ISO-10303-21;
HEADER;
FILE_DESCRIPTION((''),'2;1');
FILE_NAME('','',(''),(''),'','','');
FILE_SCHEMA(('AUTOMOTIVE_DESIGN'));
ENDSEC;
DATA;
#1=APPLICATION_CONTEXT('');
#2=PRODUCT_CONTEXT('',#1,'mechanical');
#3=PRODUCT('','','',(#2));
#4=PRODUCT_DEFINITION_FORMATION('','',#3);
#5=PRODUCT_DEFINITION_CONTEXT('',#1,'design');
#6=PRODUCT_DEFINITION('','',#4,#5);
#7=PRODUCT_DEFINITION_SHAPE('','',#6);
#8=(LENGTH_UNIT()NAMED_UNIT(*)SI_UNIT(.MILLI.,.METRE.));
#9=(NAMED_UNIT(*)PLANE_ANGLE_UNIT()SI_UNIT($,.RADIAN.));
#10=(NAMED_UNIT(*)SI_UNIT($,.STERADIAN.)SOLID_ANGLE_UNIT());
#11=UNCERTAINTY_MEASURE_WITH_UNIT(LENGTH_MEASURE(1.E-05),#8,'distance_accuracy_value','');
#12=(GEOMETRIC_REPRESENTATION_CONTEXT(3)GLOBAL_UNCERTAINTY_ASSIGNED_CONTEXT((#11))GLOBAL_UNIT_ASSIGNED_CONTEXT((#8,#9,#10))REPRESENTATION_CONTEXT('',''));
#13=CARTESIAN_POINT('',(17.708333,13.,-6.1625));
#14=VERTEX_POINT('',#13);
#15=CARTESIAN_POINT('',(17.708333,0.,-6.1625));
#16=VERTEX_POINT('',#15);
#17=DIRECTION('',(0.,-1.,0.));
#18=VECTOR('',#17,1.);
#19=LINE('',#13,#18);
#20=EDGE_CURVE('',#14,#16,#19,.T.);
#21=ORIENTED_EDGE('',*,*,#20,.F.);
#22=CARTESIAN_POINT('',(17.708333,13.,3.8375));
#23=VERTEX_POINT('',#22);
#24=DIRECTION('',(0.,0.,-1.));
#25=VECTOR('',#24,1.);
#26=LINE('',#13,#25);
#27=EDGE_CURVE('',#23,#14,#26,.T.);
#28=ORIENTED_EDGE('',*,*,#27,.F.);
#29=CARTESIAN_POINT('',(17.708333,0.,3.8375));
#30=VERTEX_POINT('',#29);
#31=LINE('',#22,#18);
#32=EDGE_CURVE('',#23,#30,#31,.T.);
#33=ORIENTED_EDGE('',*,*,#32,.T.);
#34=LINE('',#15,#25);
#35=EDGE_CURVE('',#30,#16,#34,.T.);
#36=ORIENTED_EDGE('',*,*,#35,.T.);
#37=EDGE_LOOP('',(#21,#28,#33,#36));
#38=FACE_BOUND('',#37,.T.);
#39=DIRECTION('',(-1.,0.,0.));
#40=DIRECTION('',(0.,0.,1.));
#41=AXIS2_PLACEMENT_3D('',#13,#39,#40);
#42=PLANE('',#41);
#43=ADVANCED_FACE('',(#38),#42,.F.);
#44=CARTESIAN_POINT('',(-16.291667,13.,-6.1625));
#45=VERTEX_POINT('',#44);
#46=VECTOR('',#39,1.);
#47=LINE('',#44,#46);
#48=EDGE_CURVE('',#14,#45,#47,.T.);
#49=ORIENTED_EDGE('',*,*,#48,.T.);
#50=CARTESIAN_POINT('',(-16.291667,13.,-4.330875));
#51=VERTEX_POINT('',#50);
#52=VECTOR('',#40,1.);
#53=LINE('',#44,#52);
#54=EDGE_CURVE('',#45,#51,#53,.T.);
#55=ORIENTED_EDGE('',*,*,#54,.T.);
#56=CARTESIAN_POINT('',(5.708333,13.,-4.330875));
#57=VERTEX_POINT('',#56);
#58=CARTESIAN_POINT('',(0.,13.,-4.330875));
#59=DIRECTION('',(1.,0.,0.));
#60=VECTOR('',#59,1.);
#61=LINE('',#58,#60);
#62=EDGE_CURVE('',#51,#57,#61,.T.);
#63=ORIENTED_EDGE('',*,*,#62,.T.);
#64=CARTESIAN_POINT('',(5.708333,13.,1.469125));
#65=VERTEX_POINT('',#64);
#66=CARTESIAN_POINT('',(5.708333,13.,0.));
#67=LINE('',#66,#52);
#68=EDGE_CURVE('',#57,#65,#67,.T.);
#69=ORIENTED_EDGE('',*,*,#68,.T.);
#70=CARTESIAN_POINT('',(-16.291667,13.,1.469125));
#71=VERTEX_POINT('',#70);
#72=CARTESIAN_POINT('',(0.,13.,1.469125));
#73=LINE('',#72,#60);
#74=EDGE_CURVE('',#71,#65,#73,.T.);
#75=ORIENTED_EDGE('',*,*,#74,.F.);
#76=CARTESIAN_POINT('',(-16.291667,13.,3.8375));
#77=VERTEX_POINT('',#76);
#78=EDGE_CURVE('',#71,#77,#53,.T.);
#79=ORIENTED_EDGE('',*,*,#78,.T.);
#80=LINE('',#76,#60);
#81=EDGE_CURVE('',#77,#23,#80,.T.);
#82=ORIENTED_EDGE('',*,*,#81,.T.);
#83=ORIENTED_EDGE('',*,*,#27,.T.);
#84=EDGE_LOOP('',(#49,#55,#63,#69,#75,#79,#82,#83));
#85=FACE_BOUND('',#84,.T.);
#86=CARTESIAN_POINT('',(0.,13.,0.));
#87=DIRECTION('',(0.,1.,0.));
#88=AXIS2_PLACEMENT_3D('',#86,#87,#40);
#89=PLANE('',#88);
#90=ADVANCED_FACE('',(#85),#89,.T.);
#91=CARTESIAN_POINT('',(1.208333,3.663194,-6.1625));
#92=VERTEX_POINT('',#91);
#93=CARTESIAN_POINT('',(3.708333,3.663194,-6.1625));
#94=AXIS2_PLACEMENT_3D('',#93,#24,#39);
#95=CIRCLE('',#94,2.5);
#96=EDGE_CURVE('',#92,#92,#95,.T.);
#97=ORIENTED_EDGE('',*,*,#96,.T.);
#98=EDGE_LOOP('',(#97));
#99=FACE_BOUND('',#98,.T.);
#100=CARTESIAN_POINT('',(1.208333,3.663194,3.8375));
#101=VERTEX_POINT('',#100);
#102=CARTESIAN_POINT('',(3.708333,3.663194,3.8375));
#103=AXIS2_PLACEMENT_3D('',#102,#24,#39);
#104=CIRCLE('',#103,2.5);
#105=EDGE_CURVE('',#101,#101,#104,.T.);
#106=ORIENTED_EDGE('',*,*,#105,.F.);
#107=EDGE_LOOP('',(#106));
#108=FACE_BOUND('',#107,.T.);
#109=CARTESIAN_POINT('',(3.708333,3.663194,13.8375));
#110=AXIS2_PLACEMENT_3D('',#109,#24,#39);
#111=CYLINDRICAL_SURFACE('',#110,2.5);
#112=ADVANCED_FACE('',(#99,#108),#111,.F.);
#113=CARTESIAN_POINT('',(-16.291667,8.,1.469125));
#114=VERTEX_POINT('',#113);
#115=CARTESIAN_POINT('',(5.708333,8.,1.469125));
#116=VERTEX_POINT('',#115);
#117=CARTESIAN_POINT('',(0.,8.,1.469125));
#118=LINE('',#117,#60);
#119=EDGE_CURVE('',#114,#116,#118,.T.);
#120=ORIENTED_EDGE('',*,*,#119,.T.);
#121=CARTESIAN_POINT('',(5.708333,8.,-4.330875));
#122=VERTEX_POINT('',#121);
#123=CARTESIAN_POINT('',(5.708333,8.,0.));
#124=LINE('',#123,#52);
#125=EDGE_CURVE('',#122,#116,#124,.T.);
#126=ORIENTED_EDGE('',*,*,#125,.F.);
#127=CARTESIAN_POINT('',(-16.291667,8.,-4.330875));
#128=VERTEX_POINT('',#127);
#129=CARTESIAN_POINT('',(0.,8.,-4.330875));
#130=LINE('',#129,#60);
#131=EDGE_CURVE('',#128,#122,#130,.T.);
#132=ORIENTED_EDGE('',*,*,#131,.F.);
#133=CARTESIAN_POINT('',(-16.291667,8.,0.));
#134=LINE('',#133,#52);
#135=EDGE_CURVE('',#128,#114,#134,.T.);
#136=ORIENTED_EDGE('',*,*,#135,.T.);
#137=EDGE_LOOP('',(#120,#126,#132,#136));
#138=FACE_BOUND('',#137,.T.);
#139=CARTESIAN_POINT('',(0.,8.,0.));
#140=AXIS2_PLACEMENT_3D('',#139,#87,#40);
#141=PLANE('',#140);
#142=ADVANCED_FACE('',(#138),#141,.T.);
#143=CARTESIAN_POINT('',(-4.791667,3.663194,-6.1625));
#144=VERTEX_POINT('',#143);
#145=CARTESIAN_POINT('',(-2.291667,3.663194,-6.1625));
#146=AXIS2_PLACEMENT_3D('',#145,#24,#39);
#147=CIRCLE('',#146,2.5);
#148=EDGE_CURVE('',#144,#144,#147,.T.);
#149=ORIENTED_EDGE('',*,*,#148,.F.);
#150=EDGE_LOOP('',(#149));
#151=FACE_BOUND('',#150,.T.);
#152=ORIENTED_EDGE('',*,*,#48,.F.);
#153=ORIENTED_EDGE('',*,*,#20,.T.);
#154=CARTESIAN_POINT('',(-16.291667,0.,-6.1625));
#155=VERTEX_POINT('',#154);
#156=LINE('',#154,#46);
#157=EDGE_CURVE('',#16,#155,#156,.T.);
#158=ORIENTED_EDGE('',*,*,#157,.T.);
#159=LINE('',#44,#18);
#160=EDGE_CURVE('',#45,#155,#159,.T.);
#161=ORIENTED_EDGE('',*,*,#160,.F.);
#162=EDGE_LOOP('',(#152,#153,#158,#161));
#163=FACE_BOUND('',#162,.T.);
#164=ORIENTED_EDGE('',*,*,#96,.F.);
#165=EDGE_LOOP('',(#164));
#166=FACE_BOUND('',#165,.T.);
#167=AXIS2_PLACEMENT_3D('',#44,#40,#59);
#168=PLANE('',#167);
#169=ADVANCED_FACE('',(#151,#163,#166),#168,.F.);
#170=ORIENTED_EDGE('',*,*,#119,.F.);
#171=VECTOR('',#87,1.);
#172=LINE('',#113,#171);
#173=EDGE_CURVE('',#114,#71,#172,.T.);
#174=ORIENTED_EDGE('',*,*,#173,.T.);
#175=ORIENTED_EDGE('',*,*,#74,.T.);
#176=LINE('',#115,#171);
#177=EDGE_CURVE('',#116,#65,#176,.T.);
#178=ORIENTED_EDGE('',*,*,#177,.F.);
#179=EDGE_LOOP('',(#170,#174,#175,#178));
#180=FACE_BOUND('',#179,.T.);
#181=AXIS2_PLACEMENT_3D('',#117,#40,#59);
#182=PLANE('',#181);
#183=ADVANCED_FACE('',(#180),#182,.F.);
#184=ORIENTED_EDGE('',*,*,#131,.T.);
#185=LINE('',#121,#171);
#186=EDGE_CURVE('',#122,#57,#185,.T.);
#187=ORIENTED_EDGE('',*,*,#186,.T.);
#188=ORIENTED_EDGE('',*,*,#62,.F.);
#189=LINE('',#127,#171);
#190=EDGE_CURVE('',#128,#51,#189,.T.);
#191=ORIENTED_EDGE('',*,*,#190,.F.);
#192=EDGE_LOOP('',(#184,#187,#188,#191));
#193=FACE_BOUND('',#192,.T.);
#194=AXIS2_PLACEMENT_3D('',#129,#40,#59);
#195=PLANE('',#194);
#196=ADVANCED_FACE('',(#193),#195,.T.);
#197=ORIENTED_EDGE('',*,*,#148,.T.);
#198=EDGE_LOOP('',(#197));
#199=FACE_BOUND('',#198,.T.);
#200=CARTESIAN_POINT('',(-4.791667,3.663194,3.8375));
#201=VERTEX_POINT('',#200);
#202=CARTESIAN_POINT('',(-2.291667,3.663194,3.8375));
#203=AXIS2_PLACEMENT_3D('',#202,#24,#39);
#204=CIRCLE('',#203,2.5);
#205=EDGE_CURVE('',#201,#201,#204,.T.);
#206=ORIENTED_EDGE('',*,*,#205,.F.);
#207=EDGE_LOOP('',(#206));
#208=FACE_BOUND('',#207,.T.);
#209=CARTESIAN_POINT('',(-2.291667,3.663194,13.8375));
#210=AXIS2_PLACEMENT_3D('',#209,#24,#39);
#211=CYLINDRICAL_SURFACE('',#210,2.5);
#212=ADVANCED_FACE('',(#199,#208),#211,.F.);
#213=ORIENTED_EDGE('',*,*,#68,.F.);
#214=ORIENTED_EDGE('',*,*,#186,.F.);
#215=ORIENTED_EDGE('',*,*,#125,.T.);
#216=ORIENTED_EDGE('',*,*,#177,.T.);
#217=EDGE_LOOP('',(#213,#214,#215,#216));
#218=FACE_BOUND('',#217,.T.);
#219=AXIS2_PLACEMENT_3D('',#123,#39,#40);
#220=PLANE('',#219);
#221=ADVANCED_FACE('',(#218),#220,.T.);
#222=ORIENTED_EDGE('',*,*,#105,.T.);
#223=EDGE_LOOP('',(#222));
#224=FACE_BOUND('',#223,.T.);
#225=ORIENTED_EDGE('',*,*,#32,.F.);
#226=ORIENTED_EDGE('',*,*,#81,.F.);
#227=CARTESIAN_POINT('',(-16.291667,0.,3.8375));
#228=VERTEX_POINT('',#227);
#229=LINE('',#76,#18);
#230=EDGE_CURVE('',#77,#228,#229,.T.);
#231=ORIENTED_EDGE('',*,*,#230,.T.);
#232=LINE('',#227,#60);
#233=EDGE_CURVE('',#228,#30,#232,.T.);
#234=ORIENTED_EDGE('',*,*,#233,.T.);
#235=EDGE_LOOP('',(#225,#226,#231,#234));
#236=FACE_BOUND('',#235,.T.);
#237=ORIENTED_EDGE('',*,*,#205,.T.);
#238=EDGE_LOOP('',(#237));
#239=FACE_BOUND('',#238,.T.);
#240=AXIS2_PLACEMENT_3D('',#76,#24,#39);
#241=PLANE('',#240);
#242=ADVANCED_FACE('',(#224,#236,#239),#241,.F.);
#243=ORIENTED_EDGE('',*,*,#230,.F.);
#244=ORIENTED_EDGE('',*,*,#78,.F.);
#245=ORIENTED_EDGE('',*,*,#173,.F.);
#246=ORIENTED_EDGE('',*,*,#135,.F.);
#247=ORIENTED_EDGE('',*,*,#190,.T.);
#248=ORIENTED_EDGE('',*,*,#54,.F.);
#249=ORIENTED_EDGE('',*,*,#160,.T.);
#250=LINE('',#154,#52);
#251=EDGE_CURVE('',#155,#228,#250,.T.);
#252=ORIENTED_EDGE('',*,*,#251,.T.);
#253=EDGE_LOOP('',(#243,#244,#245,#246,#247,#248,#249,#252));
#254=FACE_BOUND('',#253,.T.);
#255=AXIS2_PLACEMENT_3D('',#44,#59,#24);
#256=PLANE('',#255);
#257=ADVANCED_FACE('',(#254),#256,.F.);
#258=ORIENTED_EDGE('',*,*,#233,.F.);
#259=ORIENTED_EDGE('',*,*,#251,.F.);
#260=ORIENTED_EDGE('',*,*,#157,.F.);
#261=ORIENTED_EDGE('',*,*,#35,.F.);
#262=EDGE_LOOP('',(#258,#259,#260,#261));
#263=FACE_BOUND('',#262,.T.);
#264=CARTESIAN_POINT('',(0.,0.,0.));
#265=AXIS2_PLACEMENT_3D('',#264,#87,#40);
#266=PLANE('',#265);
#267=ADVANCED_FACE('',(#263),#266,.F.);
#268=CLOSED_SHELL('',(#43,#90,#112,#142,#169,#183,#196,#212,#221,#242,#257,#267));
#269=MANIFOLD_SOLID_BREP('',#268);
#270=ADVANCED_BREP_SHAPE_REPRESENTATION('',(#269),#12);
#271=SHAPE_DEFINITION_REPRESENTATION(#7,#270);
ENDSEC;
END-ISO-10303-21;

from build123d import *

# Parameters (mm, degrees)
SKETCH_1_W          = 34
SKETCH_1_H          = 10
EXTRUDE_2_DEPTH     = 13
SKETCH_2_W          = 22
SKETCH_2_H          = 5.8
CUT_EXTRUDE_1_DEPTH = 5
SKETCH_3_R          = 2.5
CUT_EXTRUDE_2_DEPTH = 20


with BuildPart() as part:
    # 草圖1 → 填料-伸長2 (new body)
    with BuildSketch(Plane(origin=(0, 0, 0), x_dir=(1, 0, 0), z_dir=(0, 1, 0))):
        with Locations((0.708333333, 1.1625)):
            Rectangle(SKETCH_1_W, SKETCH_1_H)
    extrude(amount=EXTRUDE_2_DEPTH)

    # 草圖2 → 除料-伸長1 (cut)
    with BuildSketch(Plane(origin=(0, 13, 0), x_dir=(1, 0, 0), z_dir=(0, 1, 0))):
        with Locations((-5.291666667, 1.430875321)):
            Rectangle(SKETCH_2_W, SKETCH_2_H)
    extrude(amount=-CUT_EXTRUDE_1_DEPTH, mode=Mode.SUBTRACT)

    # 草圖3 → 除料-伸長2 (cut)
    with BuildSketch(Plane(origin=(0, 0, -6.1625), x_dir=(-1, 0, 0), z_dir=(0, 0, -1))):
        with Locations((2.291666667, 3.663194133)):
            Circle(SKETCH_3_R)
        with Locations((-3.708333333, 3.663194133)):
            Circle(SKETCH_3_R)
    extrude(amount=-CUT_EXTRUDE_2_DEPTH, mode=Mode.SUBTRACT)


solid = part.part
